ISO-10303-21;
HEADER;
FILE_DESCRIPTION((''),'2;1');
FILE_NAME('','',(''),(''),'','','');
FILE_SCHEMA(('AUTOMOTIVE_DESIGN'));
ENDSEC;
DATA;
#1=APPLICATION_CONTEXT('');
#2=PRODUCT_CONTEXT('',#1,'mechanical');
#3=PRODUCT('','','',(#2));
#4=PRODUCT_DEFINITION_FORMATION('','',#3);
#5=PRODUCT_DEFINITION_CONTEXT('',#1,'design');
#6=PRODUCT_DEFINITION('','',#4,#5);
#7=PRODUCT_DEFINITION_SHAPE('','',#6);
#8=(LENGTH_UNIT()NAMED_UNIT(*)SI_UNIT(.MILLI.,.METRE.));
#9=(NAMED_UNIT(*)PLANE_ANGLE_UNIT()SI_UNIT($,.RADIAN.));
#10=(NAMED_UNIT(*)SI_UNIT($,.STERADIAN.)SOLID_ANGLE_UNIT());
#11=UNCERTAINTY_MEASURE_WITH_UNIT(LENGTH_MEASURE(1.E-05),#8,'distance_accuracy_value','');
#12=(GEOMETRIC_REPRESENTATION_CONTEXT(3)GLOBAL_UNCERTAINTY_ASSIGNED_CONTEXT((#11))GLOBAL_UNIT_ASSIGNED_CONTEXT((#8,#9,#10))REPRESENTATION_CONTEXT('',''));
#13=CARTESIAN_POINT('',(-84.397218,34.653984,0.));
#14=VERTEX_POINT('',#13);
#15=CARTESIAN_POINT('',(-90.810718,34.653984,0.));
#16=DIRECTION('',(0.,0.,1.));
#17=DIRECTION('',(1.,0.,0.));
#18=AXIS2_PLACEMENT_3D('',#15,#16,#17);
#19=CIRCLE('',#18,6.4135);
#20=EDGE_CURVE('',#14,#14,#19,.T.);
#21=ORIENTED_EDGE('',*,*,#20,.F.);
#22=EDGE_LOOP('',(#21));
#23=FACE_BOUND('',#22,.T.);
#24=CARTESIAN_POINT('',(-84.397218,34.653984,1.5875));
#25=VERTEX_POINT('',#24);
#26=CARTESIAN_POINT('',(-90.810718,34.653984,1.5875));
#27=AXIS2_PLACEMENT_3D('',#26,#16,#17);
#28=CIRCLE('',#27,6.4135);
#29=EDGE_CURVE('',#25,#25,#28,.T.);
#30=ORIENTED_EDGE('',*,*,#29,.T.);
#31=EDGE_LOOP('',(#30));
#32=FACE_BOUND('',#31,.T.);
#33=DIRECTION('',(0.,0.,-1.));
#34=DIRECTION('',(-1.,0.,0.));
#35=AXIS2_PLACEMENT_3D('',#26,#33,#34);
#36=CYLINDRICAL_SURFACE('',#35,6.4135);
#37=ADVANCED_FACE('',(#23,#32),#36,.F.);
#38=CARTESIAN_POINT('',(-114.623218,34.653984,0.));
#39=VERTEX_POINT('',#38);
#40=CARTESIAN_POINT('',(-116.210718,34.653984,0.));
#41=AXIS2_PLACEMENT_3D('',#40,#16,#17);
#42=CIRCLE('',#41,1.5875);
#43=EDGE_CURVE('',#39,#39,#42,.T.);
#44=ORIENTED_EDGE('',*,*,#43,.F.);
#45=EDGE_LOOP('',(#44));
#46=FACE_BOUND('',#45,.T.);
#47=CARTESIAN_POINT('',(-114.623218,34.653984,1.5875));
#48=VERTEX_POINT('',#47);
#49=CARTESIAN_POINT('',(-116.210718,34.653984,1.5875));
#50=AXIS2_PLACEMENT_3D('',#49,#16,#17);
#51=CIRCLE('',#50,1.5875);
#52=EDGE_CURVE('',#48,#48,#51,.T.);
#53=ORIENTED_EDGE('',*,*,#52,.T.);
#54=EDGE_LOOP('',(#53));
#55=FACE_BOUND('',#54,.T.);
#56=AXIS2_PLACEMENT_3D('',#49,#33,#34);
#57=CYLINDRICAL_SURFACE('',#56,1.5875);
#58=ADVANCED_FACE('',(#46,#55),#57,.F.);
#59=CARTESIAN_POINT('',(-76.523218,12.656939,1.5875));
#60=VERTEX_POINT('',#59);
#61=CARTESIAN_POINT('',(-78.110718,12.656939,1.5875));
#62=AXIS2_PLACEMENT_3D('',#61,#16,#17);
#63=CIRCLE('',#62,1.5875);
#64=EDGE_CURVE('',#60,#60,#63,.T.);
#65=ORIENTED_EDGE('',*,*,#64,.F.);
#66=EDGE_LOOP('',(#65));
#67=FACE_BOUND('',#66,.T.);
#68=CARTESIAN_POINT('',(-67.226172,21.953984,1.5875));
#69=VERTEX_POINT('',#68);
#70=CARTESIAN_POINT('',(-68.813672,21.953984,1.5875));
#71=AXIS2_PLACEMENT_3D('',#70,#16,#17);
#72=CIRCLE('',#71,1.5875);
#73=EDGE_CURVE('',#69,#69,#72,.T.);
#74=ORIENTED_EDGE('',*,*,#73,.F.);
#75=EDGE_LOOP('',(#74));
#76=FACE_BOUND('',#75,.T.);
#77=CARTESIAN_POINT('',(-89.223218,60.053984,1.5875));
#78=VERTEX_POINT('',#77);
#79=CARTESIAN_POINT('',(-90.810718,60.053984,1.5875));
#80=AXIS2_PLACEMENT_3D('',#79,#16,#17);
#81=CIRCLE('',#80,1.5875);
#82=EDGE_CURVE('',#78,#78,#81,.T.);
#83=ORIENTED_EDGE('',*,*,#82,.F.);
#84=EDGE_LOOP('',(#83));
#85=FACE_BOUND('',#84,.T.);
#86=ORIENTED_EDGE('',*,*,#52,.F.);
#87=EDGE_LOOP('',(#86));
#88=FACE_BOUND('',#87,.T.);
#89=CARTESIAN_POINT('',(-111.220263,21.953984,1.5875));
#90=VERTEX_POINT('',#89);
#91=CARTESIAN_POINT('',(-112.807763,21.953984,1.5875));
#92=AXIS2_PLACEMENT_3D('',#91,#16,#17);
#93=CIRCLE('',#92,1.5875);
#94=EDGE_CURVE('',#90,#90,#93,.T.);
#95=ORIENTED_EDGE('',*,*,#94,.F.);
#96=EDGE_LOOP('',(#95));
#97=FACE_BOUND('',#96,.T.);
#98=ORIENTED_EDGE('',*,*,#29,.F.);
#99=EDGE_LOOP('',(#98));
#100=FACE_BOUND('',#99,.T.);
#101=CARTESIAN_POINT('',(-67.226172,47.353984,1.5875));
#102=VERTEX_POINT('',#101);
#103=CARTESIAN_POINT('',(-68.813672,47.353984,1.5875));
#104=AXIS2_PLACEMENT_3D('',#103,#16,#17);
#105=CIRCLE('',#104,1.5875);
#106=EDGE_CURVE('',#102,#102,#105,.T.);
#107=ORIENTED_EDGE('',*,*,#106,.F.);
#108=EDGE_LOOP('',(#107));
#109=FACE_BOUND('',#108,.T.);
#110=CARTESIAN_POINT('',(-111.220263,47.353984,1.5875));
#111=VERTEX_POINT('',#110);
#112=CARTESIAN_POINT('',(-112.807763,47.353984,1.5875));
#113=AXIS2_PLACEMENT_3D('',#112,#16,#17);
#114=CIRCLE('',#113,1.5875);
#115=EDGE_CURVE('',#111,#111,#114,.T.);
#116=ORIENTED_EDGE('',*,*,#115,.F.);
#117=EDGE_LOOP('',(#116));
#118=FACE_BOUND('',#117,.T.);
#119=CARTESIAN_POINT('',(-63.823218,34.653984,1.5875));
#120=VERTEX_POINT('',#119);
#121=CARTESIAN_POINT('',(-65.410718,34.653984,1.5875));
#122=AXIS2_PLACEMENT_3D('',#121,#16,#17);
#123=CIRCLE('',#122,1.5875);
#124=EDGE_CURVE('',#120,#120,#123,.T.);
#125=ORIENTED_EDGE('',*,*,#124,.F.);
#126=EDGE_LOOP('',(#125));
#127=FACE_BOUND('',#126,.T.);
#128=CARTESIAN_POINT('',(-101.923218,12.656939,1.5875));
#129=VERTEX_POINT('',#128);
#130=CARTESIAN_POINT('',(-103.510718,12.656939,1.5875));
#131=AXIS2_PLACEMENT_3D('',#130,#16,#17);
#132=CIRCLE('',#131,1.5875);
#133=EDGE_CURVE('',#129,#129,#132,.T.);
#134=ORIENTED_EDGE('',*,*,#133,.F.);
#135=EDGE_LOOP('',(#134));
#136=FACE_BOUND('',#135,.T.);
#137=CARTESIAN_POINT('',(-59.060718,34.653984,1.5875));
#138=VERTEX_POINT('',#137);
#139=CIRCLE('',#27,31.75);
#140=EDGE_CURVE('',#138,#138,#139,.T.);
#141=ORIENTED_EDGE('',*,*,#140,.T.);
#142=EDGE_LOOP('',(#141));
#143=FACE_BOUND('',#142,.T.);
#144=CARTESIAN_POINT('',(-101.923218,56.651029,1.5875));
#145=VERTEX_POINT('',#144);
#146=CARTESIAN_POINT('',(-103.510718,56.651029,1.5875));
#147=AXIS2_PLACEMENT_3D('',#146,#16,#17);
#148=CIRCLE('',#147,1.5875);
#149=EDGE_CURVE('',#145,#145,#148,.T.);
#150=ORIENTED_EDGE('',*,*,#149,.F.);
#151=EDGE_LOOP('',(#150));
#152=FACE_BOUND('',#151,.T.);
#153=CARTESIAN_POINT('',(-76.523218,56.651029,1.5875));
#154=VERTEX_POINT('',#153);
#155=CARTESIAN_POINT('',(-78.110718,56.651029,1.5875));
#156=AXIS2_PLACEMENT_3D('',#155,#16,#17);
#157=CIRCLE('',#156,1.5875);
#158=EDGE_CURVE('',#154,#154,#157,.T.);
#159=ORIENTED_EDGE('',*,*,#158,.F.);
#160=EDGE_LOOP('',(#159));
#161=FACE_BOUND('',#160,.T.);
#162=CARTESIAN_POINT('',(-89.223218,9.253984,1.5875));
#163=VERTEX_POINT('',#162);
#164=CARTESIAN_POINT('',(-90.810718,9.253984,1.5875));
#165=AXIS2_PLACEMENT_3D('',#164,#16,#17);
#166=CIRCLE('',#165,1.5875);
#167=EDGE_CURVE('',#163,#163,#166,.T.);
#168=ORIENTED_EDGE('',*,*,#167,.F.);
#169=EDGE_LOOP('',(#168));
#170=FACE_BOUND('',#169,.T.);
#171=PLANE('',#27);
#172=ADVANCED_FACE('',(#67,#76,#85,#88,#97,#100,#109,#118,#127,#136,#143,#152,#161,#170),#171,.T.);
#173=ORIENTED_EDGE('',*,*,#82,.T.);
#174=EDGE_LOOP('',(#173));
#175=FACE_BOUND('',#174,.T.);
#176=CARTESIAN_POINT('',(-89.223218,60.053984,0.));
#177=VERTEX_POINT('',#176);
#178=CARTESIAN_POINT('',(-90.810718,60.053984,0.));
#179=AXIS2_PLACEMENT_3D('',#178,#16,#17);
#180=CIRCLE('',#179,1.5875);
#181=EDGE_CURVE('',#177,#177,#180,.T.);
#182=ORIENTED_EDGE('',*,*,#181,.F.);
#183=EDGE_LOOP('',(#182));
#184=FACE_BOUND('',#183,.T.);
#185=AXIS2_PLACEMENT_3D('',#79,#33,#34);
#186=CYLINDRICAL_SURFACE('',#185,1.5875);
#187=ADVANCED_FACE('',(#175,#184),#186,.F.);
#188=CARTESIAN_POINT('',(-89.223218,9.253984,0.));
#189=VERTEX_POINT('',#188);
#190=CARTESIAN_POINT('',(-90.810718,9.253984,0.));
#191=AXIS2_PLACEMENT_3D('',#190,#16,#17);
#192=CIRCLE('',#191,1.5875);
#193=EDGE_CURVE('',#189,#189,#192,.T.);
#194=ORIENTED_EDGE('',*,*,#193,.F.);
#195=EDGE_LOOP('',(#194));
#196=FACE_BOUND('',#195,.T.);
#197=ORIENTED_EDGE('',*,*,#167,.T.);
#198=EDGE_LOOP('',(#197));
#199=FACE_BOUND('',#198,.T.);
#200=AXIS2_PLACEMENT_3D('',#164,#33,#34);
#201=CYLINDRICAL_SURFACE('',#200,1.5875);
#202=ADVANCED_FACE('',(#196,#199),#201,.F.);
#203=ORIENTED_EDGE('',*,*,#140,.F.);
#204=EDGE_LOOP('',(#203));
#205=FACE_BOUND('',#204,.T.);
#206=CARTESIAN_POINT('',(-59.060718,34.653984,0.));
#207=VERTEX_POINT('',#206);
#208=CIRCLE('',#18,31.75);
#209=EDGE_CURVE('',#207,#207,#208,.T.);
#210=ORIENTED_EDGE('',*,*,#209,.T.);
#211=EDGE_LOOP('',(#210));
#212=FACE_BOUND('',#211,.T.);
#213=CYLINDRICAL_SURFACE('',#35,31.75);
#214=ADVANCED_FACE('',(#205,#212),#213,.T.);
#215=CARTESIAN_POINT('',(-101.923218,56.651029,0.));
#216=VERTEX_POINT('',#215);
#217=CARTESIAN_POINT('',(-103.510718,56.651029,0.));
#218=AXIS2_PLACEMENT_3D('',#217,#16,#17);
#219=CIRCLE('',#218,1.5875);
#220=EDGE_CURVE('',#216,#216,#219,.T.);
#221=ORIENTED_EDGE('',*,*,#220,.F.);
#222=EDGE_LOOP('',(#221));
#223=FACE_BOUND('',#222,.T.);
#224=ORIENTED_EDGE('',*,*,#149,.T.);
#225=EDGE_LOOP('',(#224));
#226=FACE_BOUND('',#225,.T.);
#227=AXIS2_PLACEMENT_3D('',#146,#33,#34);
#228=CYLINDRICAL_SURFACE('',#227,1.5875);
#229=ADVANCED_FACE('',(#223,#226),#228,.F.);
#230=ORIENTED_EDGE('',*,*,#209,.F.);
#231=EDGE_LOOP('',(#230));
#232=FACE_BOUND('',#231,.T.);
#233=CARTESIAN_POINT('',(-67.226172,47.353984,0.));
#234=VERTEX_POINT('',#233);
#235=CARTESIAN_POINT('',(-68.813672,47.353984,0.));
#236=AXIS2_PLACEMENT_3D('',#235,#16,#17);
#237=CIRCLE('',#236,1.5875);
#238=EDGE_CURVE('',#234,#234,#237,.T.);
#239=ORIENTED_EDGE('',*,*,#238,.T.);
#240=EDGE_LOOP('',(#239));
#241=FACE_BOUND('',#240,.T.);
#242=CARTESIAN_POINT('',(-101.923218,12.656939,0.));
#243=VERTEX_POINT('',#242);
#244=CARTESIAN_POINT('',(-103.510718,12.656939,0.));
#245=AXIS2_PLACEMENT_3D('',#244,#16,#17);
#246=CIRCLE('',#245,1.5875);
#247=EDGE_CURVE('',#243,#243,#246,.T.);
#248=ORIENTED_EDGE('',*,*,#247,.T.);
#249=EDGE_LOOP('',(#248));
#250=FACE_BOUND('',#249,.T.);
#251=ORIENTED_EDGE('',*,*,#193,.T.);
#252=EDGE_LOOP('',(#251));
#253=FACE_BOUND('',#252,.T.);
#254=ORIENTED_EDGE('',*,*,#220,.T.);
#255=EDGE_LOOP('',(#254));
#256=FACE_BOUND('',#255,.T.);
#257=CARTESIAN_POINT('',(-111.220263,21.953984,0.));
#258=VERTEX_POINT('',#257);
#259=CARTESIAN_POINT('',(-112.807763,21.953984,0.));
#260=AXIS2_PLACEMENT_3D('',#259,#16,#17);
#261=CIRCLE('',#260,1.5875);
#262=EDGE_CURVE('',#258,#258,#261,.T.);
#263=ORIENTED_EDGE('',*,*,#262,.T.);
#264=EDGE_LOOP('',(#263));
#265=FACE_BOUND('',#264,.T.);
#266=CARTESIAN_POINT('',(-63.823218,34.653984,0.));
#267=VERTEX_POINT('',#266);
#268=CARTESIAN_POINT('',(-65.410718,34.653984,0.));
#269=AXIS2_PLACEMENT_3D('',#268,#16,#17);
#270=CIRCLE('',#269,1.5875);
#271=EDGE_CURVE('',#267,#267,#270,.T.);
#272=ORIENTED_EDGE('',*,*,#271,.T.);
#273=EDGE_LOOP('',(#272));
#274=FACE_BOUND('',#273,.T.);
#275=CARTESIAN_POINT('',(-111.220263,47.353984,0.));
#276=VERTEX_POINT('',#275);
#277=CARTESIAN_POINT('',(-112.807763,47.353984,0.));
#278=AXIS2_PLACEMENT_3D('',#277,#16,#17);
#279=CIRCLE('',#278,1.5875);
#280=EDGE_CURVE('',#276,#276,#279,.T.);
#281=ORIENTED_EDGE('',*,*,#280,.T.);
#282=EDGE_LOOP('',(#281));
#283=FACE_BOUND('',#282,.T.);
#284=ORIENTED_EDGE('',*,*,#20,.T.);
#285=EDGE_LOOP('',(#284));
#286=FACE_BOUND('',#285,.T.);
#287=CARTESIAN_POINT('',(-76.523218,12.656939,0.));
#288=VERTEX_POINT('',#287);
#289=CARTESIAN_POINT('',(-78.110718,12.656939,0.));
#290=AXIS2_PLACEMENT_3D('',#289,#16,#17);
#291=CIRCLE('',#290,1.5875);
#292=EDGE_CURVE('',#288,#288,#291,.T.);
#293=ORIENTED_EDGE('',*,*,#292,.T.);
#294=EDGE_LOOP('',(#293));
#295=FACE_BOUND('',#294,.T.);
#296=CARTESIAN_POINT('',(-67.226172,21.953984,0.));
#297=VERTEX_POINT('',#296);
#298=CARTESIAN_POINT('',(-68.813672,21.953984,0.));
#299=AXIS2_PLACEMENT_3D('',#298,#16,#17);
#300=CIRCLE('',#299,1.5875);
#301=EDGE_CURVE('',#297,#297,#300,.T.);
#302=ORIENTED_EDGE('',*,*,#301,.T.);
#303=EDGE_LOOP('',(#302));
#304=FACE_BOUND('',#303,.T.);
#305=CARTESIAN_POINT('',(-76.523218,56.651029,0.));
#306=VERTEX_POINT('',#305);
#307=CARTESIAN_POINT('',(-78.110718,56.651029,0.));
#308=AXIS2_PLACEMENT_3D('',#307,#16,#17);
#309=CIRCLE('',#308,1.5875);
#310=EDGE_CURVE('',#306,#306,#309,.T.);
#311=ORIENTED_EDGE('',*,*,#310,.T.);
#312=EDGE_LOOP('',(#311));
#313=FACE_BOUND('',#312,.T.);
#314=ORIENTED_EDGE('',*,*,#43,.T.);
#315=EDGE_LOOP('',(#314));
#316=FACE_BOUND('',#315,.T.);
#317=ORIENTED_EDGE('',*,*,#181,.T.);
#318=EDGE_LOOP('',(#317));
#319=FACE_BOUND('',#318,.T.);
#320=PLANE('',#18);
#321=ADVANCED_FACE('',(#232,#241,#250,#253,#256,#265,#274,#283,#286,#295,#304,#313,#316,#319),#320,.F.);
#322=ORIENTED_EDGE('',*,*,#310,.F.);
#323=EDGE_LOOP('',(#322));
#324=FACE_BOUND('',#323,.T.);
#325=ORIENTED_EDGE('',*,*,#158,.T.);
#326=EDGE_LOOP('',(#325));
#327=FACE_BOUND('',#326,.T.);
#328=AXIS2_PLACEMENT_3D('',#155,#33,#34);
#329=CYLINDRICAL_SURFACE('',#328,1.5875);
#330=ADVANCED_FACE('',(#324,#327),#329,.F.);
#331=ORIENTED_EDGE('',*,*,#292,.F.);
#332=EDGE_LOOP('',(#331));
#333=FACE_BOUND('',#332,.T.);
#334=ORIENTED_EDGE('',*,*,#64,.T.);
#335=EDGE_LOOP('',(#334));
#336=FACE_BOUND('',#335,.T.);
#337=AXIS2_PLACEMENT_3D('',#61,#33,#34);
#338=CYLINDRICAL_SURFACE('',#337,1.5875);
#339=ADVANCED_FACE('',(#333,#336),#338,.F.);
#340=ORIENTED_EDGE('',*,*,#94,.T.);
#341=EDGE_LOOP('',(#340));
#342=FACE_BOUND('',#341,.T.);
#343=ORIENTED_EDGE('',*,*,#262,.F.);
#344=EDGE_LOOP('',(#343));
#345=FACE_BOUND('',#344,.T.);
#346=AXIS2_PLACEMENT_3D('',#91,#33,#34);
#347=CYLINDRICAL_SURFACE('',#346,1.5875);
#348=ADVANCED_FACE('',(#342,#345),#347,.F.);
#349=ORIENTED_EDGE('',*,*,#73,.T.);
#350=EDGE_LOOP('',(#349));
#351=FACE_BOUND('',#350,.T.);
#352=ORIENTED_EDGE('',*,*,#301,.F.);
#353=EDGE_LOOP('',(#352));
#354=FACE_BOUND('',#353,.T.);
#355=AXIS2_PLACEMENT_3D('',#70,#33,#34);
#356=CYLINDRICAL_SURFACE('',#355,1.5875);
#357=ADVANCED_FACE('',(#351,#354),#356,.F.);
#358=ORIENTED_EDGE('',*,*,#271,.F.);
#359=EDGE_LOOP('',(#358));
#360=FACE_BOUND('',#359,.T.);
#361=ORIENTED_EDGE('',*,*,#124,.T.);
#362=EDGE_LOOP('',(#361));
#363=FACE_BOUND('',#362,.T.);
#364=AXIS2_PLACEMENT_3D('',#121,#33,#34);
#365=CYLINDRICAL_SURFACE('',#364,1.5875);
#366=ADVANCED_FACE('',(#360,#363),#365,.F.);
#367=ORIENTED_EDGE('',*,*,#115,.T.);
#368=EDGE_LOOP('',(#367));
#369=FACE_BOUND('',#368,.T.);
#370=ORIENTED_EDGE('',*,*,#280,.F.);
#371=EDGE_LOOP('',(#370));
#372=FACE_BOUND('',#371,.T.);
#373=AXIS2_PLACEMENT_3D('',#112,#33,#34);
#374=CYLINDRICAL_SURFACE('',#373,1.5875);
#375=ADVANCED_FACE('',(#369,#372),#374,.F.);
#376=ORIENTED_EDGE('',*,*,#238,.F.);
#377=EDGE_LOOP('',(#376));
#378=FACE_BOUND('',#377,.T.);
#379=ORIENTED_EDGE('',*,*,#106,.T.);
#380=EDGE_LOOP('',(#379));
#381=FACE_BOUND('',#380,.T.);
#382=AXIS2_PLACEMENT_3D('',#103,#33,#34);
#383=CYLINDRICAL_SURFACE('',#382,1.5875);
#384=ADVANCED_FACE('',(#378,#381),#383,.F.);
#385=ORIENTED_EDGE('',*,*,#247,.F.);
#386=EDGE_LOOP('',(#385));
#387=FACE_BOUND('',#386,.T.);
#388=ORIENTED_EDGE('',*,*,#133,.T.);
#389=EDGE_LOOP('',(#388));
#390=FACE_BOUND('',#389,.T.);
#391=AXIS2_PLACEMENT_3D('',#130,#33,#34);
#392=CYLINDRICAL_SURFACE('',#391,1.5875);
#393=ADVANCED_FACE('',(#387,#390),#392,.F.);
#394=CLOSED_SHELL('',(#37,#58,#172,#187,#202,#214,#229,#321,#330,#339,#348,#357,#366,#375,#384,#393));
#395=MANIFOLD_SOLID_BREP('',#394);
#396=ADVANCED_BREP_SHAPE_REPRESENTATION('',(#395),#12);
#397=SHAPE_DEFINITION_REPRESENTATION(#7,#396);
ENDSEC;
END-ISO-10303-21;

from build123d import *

# Parameters (mm, degrees)
SKETCH1_R           = 31.75
SKETCH1_R_2         = 1.5875
SKETCH1_R_3         = 6.4135
BOSS_EXTRUDE1_DEPTH = 1.5875


with BuildPart() as part:
    # Sketch1 → Boss-Extrude1 (new body)
    with BuildSketch(Plane.XY):
        with Locations((-90.81071762, 34.653984208)):
            Circle(SKETCH1_R)
        with Locations((-90.81071762, 60.053984208)):
            Circle(SKETCH1_R_2, mode=Mode.SUBTRACT)
        with Locations((-78.11071762, 56.651029464)):
            Circle(SKETCH1_R_2, mode=Mode.SUBTRACT)
        with Locations((-68.813672364, 47.353984208)):
            Circle(SKETCH1_R_2, mode=Mode.SUBTRACT)
        with Locations((-65.41071762, 34.653984208)):
            Circle(SKETCH1_R_2, mode=Mode.SUBTRACT)
        with Locations((-68.813672364, 21.953984208)):
            Circle(SKETCH1_R_2, mode=Mode.SUBTRACT)
        with Locations((-78.11071762, 12.656938952)):
            Circle(SKETCH1_R_2, mode=Mode.SUBTRACT)
        with Locations((-90.81071762, 9.253984208)):
            Circle(SKETCH1_R_2, mode=Mode.SUBTRACT)
        with Locations((-103.51071762, 12.656938952)):
            Circle(SKETCH1_R_2, mode=Mode.SUBTRACT)
        with Locations((-112.807762876, 21.953984208)):
            Circle(SKETCH1_R_2, mode=Mode.SUBTRACT)
        with Locations((-116.21071762, 34.653984208)):
            Circle(SKETCH1_R_2, mode=Mode.SUBTRACT)
        with Locations((-112.807762876, 47.353984208)):
            Circle(SKETCH1_R_2, mode=Mode.SUBTRACT)
        with Locations((-103.51071762, 56.651029464)):
            Circle(SKETCH1_R_2, mode=Mode.SUBTRACT)
        with Locations((-90.81071762, 34.653984208)):
            Circle(SKETCH1_R_3, mode=Mode.SUBTRACT)
    extrude(amount=BOSS_EXTRUDE1_DEPTH)


solid = part.part
